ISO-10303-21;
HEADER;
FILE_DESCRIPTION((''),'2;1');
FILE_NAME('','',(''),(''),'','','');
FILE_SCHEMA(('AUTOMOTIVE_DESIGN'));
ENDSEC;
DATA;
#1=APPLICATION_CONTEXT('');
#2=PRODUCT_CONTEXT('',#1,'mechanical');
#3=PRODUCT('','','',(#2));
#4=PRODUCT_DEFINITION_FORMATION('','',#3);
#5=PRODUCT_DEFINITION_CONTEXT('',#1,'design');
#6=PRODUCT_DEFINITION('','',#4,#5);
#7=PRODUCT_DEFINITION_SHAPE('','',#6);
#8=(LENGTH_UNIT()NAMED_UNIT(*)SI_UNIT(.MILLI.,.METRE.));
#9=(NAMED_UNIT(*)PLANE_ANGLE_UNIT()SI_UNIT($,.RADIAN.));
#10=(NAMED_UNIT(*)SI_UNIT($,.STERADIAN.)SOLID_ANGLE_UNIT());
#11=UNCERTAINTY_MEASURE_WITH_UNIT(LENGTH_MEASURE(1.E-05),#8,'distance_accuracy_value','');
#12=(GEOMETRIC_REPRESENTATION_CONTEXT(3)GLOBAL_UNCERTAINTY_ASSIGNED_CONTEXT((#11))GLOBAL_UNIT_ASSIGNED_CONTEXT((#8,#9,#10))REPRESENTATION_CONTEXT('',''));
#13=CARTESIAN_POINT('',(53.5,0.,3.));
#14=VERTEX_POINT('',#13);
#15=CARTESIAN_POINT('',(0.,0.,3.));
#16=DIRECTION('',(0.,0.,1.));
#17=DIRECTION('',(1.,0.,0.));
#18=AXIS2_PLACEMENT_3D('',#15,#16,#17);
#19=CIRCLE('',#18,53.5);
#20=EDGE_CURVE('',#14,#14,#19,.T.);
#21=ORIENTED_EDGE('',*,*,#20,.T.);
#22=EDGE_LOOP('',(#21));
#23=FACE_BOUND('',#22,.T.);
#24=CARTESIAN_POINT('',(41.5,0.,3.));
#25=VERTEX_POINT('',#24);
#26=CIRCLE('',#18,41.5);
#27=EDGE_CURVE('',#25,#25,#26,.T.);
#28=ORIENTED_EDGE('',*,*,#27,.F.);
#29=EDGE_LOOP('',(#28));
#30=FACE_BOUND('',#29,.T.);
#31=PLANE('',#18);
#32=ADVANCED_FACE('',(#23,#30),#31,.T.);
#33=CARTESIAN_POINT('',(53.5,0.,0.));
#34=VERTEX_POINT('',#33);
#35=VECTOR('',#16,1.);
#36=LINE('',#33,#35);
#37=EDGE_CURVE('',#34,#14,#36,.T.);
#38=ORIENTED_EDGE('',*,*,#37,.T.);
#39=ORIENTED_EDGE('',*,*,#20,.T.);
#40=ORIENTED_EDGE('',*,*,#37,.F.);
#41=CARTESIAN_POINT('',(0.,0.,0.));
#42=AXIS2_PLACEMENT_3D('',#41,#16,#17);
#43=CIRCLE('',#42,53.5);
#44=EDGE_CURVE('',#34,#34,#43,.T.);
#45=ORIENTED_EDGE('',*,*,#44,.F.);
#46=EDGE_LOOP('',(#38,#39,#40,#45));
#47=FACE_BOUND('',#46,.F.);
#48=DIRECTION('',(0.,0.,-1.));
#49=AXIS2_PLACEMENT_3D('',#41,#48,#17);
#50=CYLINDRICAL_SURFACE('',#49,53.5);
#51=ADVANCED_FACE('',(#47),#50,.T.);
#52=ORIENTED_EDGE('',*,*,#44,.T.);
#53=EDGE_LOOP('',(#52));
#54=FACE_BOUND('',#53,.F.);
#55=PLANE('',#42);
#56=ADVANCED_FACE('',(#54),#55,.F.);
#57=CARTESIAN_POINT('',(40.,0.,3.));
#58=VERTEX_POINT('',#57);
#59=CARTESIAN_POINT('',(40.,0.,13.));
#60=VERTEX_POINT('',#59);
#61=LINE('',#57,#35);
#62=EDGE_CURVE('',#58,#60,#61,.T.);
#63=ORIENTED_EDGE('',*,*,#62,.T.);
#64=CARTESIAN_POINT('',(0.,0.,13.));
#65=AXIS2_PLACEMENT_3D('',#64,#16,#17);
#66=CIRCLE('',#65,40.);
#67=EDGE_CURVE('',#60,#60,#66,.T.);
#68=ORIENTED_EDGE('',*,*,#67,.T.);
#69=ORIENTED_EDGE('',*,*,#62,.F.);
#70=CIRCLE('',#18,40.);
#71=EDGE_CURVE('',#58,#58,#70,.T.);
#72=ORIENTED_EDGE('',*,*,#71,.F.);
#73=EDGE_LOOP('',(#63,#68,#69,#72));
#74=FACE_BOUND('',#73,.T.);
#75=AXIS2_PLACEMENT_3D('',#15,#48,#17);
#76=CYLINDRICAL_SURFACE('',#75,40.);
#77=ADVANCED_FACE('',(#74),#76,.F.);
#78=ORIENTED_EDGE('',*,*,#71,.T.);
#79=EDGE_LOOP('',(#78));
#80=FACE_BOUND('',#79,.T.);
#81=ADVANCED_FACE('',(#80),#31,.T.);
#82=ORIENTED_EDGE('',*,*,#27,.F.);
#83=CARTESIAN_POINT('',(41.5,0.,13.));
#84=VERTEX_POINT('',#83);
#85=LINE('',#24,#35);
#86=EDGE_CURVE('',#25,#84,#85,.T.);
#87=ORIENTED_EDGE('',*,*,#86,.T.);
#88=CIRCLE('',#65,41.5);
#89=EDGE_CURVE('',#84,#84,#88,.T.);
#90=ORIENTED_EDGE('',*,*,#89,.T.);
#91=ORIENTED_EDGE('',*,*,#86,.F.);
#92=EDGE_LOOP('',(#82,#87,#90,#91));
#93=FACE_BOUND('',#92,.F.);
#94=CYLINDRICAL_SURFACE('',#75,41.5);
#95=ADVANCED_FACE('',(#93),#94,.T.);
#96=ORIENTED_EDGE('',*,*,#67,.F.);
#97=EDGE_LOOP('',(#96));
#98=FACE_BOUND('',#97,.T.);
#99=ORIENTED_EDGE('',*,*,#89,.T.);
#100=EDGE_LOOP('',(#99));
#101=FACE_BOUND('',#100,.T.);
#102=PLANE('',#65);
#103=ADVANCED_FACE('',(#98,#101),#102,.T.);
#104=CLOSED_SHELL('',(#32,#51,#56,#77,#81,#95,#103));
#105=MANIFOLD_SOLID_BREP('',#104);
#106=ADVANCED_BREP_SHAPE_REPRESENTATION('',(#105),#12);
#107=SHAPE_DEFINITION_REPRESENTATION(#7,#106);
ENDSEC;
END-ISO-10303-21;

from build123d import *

# Parameters (mm, degrees)
F0_R     = 53.5
F0_R_2   = 41.4
F0_R_3   = 39.9
F1_DEPTH = 3
F2_R     = 41.5
F2_R_2   = 40
F3_DEPTH = 10


with BuildPart() as f1:
    # F0 (on Top) → F1 (new body)
    with BuildSketch(Plane.XY):
        Circle(F0_R)
        Circle(F0_R_2, mode=Mode.SUBTRACT)
        Circle(F0_R_2)
        Circle(F0_R_3, mode=Mode.SUBTRACT)
        Circle(F0_R_3)
    extrude(amount=F1_DEPTH)

    # F2 (on face) → F3 (join)
    with BuildSketch(Plane.XY.offset(3)):
        Circle(F2_R)
        Circle(F2_R_2, mode=Mode.SUBTRACT)
    extrude(amount=F3_DEPTH)


solid = f1.part
